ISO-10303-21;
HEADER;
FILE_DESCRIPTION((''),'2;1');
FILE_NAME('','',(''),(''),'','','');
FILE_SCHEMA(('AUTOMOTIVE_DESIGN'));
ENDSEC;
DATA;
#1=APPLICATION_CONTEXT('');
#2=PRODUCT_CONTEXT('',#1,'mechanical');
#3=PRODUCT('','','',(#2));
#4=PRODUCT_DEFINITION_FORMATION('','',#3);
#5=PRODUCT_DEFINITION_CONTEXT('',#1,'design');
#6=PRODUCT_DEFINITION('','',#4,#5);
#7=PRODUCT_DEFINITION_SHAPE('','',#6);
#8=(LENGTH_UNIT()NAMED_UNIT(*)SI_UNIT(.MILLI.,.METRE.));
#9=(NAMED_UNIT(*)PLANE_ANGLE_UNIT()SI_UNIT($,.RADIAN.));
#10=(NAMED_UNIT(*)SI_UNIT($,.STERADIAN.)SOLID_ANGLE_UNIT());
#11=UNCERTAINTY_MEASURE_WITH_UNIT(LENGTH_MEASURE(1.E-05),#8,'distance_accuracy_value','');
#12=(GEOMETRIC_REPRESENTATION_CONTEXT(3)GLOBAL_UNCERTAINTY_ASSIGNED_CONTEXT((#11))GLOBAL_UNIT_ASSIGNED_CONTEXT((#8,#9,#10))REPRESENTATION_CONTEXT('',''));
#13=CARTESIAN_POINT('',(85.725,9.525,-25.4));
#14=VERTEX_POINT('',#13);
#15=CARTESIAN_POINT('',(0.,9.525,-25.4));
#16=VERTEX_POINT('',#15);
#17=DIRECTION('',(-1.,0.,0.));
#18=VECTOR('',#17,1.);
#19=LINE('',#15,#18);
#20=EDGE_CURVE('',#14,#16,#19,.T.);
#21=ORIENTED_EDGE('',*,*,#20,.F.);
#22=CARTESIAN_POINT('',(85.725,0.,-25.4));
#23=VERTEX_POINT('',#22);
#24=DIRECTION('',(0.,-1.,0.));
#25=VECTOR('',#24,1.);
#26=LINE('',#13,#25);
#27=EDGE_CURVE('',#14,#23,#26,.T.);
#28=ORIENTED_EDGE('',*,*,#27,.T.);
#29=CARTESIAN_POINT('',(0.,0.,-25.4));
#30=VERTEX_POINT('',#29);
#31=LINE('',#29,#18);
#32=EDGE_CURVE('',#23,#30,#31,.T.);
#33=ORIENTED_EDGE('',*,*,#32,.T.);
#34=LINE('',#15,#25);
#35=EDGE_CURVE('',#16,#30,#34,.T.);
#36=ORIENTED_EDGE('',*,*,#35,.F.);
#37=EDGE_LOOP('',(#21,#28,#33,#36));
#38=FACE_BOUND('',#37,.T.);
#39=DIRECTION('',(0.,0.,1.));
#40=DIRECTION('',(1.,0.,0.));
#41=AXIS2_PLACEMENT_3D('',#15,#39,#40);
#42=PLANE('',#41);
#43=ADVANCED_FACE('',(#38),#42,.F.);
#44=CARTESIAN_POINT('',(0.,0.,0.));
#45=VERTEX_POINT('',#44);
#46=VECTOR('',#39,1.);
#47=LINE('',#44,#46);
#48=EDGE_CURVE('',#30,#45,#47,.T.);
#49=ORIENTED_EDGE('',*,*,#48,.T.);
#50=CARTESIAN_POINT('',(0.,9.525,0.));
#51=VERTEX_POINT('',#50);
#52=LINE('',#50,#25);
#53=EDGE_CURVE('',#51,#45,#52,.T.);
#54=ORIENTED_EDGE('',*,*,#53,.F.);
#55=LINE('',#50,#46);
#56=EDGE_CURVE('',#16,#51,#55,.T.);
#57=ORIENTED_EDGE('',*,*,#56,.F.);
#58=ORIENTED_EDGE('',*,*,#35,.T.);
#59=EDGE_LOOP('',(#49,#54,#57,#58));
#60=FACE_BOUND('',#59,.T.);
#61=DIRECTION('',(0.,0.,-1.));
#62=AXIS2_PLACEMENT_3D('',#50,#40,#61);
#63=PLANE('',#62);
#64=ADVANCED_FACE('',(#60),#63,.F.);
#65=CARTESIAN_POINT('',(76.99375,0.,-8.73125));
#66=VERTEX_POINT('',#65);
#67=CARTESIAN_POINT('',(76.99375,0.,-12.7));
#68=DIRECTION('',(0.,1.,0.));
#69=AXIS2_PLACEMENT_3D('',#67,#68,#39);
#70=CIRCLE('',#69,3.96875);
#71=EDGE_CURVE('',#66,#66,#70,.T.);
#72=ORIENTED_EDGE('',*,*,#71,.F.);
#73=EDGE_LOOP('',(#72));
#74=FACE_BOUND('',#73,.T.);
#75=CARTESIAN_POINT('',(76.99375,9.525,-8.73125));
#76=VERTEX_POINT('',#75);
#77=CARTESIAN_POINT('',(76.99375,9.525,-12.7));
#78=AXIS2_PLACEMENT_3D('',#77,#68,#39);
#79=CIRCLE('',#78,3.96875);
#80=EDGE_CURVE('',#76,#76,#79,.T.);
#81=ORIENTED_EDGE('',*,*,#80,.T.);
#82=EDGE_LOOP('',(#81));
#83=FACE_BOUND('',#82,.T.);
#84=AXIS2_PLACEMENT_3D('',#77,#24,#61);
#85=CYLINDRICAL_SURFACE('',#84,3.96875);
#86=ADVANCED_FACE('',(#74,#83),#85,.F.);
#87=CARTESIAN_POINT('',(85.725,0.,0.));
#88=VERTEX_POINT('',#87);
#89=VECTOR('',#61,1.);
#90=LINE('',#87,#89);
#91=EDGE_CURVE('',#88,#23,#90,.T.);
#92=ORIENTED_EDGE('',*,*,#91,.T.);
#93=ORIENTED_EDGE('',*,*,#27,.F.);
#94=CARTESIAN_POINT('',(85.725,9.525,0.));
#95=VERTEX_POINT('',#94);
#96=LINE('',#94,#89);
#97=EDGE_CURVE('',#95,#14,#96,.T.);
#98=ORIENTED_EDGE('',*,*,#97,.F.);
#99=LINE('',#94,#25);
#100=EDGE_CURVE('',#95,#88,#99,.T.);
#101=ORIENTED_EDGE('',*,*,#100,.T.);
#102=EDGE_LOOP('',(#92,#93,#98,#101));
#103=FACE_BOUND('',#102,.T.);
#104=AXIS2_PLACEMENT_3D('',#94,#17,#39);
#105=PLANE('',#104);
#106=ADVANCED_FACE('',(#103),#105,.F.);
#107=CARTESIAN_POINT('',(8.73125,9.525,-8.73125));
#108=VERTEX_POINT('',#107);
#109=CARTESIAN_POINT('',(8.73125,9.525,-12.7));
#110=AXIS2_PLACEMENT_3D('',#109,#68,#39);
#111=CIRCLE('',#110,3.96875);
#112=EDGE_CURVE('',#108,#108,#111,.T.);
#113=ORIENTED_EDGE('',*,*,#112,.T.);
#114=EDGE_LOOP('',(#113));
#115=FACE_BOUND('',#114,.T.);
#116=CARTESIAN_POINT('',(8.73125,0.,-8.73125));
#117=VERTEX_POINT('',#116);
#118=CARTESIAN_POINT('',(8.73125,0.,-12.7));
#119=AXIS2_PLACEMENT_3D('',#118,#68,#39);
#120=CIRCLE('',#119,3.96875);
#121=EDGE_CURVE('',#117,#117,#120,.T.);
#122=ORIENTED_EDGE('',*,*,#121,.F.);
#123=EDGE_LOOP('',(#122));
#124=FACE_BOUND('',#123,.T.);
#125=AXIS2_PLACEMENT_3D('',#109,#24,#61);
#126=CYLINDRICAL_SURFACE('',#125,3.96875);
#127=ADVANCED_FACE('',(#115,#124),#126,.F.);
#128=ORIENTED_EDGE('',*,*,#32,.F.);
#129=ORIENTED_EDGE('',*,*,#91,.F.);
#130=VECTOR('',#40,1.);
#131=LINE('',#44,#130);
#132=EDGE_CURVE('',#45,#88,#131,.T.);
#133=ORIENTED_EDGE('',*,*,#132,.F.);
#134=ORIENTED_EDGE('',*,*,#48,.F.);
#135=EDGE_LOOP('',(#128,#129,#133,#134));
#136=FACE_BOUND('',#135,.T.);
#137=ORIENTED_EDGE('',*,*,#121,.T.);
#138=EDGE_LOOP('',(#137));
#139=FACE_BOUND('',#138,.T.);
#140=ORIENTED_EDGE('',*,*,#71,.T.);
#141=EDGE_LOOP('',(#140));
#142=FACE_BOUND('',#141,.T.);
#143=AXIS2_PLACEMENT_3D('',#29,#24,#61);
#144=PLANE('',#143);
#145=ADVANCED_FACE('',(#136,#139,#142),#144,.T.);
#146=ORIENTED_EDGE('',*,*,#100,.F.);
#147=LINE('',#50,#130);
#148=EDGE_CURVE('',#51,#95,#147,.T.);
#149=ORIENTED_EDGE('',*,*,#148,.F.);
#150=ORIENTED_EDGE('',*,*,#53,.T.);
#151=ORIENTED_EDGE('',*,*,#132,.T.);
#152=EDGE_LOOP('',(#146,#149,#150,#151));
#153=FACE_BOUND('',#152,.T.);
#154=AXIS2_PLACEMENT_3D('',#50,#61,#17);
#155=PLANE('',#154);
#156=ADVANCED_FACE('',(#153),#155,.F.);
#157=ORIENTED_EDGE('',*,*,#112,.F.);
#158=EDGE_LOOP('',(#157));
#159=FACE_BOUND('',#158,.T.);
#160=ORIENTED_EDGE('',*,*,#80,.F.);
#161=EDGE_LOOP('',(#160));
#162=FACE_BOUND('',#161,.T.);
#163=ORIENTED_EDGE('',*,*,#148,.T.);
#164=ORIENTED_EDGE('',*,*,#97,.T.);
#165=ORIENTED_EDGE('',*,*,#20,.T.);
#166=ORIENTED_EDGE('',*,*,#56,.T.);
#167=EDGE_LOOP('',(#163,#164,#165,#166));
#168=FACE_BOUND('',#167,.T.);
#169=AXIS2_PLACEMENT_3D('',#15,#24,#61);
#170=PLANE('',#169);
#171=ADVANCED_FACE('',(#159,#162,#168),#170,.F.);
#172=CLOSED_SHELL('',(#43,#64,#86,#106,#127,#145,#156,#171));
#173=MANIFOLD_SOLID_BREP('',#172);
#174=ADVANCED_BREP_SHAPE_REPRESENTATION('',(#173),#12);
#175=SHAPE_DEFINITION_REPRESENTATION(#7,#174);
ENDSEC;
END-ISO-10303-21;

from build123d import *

# Parameters (mm, degrees)
SKETCH1_W      = 85.725
SKETCH1_H      = 25.4
SKETCH1_R      = 3.96875
EXTRUDE1_DEPTH = 9.525


with BuildPart() as part:
    # Sketch1 → Extrude1 (new body)
    with BuildSketch(Plane(origin=(0, 0, 0), x_dir=(1, 0, 0), z_dir=(0, 1, 0))):
        with Locations((42.8625, 12.7)):
            Rectangle(SKETCH1_W, SKETCH1_H)
        with Locations((76.99375, 12.7)):
            Circle(SKETCH1_R, mode=Mode.SUBTRACT)
        with Locations((8.73125, 12.7)):
            Circle(SKETCH1_R, mode=Mode.SUBTRACT)
    extrude(amount=EXTRUDE1_DEPTH)


solid = part.part
